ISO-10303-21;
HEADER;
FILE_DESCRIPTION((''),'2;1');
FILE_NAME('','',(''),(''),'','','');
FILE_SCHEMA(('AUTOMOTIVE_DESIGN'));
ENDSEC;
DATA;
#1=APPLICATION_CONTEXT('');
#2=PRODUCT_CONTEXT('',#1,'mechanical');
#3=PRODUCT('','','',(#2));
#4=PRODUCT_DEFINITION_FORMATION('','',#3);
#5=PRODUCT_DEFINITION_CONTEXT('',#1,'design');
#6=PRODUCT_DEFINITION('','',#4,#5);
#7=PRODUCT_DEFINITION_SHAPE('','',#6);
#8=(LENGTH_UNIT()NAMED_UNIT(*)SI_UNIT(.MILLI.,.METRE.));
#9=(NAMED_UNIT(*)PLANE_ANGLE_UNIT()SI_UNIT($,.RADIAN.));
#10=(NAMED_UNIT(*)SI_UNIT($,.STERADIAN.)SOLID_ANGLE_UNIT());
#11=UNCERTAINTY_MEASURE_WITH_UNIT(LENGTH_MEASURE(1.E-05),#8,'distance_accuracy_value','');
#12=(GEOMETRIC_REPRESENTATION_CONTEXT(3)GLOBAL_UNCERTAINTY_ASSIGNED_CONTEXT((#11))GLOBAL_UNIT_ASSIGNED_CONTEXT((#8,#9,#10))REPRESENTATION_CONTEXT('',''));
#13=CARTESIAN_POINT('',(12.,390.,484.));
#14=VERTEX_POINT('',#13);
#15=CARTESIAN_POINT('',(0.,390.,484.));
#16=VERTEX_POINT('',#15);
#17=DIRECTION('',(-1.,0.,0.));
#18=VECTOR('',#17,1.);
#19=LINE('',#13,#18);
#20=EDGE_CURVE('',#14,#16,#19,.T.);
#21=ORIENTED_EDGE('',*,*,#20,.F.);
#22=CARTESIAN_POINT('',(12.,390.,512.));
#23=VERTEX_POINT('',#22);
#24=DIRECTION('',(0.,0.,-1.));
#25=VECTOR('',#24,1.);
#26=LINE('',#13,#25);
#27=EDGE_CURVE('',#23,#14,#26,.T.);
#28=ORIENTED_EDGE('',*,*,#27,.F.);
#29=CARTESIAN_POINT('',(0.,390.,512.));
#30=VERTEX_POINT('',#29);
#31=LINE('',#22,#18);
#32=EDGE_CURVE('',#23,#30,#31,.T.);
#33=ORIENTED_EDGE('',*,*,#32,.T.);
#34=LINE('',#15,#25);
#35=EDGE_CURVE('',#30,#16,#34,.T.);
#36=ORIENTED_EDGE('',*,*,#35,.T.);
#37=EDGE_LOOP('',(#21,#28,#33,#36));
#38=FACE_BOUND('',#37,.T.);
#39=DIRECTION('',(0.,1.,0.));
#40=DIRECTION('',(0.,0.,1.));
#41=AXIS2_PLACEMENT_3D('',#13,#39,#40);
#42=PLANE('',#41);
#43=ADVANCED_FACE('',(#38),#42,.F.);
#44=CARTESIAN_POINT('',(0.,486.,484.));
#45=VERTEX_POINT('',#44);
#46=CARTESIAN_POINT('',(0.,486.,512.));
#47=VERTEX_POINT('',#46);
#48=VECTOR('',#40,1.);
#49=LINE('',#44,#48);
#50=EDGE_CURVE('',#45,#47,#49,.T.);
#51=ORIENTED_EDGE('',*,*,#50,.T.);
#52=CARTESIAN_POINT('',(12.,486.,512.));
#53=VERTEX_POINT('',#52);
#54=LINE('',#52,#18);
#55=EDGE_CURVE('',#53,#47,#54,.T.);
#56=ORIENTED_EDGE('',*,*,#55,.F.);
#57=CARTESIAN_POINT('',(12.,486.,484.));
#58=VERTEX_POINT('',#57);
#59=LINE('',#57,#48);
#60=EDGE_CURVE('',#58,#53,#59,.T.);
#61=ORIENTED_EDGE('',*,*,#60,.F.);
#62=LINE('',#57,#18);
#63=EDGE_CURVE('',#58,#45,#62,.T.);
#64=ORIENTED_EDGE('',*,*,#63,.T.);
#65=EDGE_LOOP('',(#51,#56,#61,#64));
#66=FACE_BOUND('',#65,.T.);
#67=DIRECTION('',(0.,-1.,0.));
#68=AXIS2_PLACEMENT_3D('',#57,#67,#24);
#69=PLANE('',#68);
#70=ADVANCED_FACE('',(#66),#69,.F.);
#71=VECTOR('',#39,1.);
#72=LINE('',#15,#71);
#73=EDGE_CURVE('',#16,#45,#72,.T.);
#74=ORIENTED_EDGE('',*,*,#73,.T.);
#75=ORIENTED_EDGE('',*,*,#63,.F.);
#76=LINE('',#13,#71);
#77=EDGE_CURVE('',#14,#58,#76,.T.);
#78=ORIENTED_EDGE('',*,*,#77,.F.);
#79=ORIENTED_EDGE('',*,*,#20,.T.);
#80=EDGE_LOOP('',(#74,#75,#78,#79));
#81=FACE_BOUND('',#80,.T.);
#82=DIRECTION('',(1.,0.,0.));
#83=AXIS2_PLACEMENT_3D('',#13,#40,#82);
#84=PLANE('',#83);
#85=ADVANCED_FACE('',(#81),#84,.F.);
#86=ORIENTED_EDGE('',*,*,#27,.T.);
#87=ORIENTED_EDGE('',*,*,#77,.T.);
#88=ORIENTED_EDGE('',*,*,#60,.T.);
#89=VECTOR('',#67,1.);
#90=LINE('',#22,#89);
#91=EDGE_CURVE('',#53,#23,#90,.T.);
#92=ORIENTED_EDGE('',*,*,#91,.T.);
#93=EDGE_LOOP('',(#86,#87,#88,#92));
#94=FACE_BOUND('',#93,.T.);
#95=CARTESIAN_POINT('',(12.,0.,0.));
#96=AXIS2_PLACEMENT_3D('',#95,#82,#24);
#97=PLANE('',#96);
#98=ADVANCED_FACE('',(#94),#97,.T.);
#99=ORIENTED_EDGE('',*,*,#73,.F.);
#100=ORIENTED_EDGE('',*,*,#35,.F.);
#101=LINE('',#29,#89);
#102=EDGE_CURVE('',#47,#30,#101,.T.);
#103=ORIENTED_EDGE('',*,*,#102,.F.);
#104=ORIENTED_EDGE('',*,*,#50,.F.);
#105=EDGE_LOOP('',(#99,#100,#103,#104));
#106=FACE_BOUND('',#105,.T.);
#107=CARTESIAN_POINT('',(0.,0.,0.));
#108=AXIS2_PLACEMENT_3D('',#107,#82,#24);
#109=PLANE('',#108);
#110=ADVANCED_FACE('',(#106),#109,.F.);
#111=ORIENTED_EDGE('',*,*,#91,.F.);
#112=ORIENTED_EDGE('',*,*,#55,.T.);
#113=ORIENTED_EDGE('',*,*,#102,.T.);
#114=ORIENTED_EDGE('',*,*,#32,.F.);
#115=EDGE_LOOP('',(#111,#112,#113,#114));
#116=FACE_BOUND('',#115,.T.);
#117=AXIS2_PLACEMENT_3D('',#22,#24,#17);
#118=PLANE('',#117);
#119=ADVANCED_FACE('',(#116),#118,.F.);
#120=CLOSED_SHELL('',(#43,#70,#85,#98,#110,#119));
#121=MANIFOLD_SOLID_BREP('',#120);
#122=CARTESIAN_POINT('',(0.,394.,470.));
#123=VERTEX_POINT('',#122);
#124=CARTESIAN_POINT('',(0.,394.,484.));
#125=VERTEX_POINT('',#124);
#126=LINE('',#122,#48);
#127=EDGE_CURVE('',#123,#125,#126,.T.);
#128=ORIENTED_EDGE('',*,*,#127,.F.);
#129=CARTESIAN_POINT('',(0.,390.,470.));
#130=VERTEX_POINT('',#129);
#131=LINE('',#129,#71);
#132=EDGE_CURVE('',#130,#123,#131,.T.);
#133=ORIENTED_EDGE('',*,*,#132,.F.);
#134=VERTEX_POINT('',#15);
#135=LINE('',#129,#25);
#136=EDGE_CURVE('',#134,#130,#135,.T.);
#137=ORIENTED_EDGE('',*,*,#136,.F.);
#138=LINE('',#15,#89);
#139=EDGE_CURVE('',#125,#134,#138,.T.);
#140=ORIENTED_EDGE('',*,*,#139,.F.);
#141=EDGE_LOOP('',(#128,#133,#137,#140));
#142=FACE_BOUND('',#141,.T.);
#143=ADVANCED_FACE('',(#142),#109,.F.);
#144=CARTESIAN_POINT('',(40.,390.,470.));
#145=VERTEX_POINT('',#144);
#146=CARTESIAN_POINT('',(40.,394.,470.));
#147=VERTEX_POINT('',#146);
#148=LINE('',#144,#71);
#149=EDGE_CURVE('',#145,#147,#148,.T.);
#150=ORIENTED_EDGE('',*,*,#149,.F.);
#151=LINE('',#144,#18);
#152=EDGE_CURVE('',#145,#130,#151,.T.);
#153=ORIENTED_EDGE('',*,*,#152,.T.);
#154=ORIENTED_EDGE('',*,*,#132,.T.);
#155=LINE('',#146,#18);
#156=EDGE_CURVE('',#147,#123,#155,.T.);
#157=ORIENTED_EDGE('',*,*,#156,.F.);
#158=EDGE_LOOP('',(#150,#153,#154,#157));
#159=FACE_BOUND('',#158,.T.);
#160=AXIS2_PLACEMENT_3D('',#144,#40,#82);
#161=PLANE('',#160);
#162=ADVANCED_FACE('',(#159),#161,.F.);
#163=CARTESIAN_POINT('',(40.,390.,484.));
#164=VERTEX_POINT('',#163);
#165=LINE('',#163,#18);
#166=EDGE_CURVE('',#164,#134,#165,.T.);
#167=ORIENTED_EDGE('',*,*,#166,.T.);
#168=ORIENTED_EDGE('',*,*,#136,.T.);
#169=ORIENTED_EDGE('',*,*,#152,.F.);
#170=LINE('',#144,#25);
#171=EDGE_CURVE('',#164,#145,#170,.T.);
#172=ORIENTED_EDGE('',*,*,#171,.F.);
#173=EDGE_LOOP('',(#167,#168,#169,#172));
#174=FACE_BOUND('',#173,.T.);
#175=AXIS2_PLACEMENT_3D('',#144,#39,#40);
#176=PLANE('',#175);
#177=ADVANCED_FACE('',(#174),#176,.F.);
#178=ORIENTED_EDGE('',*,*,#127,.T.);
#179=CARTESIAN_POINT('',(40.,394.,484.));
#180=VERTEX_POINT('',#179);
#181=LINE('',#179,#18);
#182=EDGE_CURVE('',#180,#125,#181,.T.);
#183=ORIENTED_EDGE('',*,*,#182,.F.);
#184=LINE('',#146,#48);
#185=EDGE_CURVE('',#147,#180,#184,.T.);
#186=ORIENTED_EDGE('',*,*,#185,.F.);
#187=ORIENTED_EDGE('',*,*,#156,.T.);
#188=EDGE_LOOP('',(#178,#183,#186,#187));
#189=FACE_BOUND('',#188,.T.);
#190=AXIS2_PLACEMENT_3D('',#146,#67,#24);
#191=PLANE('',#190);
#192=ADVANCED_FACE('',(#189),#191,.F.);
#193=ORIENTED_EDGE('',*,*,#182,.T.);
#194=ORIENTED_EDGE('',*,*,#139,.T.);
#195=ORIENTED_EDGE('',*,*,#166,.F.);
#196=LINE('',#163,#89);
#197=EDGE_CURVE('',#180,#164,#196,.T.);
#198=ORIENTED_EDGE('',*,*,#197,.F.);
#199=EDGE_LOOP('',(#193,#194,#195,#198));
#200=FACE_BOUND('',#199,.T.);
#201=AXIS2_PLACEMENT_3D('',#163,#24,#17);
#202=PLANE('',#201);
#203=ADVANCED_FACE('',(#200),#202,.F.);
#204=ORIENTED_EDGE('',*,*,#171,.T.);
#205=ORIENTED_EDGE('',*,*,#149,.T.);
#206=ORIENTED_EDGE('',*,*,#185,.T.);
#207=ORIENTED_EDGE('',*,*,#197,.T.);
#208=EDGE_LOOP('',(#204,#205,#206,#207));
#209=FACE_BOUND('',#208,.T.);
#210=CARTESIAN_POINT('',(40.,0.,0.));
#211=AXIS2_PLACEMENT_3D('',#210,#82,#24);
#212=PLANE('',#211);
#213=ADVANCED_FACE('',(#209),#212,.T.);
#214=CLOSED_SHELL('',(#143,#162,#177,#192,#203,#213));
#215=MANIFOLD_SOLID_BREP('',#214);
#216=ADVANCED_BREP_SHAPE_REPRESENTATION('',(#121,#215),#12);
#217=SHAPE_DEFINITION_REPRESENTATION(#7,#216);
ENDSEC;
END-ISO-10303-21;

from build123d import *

# Parameters (mm, degrees)
SKETCH1_W     = 28
SKETCH1_H     = 96
UPRIGHT_DEPTH = 12
SKETCH2_W     = 14
SKETCH2_H     = 4
FOOT_DEPTH    = 40


with BuildPart() as part:
    # Sketch1 → upright (new body)
    with BuildSketch(Plane(origin=(0, 0, 0), x_dir=(0, 0, -1), z_dir=(1, 0, 0))):
        with Locations((-498, 438)):
            Rectangle(SKETCH1_W, SKETCH1_H)
    extrude(amount=UPRIGHT_DEPTH)


with BuildPart() as body_2:
    # Sketch2 → foot (new body)
    with BuildSketch(Plane(origin=(0, 0, 0), x_dir=(0, 0, -1), z_dir=(1, 0, 0))):
        with Locations((-477, 392)):
            Rectangle(SKETCH2_W, SKETCH2_H)
    extrude(amount=FOOT_DEPTH)


solid = Compound([part.part, body_2.part])
